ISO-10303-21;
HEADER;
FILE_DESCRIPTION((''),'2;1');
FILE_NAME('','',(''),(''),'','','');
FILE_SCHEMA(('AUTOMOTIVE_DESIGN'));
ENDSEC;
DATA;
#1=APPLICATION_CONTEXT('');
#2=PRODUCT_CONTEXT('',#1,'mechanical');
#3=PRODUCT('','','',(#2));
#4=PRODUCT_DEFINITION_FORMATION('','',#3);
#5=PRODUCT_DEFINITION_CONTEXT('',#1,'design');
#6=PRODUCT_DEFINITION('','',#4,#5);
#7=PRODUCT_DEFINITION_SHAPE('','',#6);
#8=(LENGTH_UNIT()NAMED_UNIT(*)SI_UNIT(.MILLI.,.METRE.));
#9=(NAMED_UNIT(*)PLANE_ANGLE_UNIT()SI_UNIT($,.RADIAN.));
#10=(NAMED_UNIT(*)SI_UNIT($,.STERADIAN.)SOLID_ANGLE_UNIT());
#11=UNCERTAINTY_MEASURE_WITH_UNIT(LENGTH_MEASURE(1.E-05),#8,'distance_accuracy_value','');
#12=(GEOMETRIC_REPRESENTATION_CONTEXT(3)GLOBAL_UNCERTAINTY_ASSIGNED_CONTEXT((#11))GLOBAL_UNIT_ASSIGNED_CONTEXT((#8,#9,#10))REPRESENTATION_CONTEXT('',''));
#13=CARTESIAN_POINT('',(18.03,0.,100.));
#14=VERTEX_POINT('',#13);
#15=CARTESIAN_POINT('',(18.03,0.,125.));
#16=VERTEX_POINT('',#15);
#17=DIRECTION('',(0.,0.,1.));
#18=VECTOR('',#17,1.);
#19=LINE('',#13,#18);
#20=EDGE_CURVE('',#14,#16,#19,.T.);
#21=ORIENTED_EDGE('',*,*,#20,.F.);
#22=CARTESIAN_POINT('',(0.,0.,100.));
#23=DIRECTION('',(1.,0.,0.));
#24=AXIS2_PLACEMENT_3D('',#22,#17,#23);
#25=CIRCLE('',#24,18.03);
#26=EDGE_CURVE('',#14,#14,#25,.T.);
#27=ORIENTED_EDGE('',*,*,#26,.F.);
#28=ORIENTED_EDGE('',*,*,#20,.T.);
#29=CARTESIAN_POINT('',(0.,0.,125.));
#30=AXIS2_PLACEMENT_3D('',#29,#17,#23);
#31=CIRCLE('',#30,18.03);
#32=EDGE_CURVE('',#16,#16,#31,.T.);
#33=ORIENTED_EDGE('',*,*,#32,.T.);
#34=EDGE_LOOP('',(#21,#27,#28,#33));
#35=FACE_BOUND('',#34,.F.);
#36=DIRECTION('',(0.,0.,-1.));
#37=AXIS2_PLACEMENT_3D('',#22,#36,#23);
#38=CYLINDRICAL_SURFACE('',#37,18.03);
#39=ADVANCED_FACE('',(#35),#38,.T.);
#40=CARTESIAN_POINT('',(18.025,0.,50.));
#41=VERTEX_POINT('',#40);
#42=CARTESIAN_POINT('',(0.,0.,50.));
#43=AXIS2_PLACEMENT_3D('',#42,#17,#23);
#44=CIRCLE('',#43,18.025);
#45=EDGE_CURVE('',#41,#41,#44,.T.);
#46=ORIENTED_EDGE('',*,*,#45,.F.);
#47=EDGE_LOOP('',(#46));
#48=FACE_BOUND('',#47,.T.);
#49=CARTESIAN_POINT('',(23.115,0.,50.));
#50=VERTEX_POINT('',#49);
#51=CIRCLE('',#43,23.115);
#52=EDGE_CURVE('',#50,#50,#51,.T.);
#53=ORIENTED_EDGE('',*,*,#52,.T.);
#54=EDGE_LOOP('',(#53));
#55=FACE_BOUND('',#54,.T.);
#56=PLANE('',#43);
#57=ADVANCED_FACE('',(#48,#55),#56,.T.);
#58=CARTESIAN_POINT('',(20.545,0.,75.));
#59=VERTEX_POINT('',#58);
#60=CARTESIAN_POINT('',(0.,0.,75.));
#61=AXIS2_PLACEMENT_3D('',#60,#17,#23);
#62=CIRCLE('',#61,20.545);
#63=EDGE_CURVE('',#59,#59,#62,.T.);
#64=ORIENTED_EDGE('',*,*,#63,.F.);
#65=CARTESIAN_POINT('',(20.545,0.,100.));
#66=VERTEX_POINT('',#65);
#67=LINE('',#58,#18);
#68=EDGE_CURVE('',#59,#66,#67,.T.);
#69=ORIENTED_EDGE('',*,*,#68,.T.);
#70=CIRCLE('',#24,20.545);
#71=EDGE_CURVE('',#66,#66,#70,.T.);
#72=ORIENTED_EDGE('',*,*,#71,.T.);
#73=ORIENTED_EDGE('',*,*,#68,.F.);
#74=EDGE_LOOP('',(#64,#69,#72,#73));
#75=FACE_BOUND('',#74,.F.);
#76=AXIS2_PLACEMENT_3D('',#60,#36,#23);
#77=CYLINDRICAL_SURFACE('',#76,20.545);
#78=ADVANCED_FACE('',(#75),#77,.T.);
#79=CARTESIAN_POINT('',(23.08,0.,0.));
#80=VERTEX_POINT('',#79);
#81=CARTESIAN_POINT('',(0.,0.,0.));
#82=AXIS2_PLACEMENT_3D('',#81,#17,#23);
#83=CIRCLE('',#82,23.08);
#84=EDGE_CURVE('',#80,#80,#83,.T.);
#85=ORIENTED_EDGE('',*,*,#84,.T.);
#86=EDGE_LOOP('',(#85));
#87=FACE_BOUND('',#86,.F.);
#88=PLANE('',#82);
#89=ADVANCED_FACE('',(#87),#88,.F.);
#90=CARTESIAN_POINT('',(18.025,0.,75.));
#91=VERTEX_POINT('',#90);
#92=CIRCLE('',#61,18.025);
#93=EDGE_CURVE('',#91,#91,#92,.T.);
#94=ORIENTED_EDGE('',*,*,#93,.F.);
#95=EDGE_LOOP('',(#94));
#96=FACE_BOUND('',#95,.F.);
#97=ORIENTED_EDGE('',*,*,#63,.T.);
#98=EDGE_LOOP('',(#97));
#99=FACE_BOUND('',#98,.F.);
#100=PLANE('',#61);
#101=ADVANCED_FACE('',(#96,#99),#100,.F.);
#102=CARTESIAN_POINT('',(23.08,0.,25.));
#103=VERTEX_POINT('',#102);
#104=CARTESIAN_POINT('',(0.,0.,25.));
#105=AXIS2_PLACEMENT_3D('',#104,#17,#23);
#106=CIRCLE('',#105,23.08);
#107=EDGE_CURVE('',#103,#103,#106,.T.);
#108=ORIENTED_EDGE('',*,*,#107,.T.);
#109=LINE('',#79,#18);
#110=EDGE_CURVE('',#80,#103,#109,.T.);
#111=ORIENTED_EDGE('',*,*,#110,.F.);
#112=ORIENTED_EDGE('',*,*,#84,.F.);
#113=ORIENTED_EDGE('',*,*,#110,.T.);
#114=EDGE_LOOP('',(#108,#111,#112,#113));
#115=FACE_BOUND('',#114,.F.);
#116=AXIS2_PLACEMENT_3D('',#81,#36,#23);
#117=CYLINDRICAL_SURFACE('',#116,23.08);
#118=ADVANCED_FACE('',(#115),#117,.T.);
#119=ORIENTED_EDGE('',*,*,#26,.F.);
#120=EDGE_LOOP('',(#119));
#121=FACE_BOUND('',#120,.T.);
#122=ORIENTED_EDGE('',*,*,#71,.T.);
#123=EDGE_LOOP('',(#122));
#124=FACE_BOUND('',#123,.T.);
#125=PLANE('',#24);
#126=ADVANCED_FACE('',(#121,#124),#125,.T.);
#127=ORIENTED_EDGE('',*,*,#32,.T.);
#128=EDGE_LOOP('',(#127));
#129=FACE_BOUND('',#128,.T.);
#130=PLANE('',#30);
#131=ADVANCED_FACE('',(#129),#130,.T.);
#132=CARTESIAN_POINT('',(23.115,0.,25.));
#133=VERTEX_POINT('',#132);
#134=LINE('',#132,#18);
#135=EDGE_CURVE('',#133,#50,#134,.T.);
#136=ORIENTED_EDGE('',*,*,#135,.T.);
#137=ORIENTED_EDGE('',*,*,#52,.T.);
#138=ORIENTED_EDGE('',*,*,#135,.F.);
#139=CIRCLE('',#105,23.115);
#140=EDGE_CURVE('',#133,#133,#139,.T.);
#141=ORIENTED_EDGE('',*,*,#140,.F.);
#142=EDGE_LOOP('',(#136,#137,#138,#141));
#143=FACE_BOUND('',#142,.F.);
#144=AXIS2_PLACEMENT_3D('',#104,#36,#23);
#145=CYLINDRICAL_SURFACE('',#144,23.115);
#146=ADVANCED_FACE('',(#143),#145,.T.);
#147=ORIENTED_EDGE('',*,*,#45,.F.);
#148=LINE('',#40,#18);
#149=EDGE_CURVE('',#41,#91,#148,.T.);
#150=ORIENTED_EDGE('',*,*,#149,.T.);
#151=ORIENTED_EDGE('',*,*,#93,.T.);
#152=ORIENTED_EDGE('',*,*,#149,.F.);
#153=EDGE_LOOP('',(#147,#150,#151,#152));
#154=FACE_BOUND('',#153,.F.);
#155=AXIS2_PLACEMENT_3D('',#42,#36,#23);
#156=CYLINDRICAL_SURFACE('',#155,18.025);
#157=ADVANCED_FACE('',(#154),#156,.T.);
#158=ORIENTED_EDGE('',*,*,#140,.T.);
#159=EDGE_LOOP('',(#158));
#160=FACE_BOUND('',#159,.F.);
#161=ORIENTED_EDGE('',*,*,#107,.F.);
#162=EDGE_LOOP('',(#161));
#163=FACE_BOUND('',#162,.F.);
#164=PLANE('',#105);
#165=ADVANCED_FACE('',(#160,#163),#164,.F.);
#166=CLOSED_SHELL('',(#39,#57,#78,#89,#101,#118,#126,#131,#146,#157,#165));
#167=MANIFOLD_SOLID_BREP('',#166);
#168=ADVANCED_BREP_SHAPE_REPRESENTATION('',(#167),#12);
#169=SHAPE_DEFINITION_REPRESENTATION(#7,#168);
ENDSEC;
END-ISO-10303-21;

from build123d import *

# Parameters (mm, degrees)
F0_R     = 23.08
F1_DEPTH = 25
F2_R     = 23.115
F3_DEPTH = 25
F4_R     = 18.025
F5_DEPTH = 25
F6_R     = 20.545
F7_DEPTH = 25
F8_R     = 18.03
F9_DEPTH = 25


with BuildPart() as f1:
    # F0 (on Top) → F1 (new body)
    with BuildSketch(Plane.XY):
        Circle(F0_R)
    extrude(amount=F1_DEPTH)

    # F2 (on face) → F3 (join)
    with BuildSketch(Plane.XY.offset(25)):
        Circle(F2_R)
    extrude(amount=F3_DEPTH)

    # F4 (on face) → F5 (join)
    with BuildSketch(Plane.XY.offset(50)):
        Circle(F4_R)
    extrude(amount=F5_DEPTH)

    # F6 (on face) → F7 (join)
    with BuildSketch(Plane.XY.offset(75)):
        Circle(F6_R)
    extrude(amount=F7_DEPTH)

    # F8 (on face) → F9 (join)
    with BuildSketch(Plane.XY.offset(100)):
        Circle(F8_R)
    extrude(amount=F9_DEPTH)


solid = f1.part
